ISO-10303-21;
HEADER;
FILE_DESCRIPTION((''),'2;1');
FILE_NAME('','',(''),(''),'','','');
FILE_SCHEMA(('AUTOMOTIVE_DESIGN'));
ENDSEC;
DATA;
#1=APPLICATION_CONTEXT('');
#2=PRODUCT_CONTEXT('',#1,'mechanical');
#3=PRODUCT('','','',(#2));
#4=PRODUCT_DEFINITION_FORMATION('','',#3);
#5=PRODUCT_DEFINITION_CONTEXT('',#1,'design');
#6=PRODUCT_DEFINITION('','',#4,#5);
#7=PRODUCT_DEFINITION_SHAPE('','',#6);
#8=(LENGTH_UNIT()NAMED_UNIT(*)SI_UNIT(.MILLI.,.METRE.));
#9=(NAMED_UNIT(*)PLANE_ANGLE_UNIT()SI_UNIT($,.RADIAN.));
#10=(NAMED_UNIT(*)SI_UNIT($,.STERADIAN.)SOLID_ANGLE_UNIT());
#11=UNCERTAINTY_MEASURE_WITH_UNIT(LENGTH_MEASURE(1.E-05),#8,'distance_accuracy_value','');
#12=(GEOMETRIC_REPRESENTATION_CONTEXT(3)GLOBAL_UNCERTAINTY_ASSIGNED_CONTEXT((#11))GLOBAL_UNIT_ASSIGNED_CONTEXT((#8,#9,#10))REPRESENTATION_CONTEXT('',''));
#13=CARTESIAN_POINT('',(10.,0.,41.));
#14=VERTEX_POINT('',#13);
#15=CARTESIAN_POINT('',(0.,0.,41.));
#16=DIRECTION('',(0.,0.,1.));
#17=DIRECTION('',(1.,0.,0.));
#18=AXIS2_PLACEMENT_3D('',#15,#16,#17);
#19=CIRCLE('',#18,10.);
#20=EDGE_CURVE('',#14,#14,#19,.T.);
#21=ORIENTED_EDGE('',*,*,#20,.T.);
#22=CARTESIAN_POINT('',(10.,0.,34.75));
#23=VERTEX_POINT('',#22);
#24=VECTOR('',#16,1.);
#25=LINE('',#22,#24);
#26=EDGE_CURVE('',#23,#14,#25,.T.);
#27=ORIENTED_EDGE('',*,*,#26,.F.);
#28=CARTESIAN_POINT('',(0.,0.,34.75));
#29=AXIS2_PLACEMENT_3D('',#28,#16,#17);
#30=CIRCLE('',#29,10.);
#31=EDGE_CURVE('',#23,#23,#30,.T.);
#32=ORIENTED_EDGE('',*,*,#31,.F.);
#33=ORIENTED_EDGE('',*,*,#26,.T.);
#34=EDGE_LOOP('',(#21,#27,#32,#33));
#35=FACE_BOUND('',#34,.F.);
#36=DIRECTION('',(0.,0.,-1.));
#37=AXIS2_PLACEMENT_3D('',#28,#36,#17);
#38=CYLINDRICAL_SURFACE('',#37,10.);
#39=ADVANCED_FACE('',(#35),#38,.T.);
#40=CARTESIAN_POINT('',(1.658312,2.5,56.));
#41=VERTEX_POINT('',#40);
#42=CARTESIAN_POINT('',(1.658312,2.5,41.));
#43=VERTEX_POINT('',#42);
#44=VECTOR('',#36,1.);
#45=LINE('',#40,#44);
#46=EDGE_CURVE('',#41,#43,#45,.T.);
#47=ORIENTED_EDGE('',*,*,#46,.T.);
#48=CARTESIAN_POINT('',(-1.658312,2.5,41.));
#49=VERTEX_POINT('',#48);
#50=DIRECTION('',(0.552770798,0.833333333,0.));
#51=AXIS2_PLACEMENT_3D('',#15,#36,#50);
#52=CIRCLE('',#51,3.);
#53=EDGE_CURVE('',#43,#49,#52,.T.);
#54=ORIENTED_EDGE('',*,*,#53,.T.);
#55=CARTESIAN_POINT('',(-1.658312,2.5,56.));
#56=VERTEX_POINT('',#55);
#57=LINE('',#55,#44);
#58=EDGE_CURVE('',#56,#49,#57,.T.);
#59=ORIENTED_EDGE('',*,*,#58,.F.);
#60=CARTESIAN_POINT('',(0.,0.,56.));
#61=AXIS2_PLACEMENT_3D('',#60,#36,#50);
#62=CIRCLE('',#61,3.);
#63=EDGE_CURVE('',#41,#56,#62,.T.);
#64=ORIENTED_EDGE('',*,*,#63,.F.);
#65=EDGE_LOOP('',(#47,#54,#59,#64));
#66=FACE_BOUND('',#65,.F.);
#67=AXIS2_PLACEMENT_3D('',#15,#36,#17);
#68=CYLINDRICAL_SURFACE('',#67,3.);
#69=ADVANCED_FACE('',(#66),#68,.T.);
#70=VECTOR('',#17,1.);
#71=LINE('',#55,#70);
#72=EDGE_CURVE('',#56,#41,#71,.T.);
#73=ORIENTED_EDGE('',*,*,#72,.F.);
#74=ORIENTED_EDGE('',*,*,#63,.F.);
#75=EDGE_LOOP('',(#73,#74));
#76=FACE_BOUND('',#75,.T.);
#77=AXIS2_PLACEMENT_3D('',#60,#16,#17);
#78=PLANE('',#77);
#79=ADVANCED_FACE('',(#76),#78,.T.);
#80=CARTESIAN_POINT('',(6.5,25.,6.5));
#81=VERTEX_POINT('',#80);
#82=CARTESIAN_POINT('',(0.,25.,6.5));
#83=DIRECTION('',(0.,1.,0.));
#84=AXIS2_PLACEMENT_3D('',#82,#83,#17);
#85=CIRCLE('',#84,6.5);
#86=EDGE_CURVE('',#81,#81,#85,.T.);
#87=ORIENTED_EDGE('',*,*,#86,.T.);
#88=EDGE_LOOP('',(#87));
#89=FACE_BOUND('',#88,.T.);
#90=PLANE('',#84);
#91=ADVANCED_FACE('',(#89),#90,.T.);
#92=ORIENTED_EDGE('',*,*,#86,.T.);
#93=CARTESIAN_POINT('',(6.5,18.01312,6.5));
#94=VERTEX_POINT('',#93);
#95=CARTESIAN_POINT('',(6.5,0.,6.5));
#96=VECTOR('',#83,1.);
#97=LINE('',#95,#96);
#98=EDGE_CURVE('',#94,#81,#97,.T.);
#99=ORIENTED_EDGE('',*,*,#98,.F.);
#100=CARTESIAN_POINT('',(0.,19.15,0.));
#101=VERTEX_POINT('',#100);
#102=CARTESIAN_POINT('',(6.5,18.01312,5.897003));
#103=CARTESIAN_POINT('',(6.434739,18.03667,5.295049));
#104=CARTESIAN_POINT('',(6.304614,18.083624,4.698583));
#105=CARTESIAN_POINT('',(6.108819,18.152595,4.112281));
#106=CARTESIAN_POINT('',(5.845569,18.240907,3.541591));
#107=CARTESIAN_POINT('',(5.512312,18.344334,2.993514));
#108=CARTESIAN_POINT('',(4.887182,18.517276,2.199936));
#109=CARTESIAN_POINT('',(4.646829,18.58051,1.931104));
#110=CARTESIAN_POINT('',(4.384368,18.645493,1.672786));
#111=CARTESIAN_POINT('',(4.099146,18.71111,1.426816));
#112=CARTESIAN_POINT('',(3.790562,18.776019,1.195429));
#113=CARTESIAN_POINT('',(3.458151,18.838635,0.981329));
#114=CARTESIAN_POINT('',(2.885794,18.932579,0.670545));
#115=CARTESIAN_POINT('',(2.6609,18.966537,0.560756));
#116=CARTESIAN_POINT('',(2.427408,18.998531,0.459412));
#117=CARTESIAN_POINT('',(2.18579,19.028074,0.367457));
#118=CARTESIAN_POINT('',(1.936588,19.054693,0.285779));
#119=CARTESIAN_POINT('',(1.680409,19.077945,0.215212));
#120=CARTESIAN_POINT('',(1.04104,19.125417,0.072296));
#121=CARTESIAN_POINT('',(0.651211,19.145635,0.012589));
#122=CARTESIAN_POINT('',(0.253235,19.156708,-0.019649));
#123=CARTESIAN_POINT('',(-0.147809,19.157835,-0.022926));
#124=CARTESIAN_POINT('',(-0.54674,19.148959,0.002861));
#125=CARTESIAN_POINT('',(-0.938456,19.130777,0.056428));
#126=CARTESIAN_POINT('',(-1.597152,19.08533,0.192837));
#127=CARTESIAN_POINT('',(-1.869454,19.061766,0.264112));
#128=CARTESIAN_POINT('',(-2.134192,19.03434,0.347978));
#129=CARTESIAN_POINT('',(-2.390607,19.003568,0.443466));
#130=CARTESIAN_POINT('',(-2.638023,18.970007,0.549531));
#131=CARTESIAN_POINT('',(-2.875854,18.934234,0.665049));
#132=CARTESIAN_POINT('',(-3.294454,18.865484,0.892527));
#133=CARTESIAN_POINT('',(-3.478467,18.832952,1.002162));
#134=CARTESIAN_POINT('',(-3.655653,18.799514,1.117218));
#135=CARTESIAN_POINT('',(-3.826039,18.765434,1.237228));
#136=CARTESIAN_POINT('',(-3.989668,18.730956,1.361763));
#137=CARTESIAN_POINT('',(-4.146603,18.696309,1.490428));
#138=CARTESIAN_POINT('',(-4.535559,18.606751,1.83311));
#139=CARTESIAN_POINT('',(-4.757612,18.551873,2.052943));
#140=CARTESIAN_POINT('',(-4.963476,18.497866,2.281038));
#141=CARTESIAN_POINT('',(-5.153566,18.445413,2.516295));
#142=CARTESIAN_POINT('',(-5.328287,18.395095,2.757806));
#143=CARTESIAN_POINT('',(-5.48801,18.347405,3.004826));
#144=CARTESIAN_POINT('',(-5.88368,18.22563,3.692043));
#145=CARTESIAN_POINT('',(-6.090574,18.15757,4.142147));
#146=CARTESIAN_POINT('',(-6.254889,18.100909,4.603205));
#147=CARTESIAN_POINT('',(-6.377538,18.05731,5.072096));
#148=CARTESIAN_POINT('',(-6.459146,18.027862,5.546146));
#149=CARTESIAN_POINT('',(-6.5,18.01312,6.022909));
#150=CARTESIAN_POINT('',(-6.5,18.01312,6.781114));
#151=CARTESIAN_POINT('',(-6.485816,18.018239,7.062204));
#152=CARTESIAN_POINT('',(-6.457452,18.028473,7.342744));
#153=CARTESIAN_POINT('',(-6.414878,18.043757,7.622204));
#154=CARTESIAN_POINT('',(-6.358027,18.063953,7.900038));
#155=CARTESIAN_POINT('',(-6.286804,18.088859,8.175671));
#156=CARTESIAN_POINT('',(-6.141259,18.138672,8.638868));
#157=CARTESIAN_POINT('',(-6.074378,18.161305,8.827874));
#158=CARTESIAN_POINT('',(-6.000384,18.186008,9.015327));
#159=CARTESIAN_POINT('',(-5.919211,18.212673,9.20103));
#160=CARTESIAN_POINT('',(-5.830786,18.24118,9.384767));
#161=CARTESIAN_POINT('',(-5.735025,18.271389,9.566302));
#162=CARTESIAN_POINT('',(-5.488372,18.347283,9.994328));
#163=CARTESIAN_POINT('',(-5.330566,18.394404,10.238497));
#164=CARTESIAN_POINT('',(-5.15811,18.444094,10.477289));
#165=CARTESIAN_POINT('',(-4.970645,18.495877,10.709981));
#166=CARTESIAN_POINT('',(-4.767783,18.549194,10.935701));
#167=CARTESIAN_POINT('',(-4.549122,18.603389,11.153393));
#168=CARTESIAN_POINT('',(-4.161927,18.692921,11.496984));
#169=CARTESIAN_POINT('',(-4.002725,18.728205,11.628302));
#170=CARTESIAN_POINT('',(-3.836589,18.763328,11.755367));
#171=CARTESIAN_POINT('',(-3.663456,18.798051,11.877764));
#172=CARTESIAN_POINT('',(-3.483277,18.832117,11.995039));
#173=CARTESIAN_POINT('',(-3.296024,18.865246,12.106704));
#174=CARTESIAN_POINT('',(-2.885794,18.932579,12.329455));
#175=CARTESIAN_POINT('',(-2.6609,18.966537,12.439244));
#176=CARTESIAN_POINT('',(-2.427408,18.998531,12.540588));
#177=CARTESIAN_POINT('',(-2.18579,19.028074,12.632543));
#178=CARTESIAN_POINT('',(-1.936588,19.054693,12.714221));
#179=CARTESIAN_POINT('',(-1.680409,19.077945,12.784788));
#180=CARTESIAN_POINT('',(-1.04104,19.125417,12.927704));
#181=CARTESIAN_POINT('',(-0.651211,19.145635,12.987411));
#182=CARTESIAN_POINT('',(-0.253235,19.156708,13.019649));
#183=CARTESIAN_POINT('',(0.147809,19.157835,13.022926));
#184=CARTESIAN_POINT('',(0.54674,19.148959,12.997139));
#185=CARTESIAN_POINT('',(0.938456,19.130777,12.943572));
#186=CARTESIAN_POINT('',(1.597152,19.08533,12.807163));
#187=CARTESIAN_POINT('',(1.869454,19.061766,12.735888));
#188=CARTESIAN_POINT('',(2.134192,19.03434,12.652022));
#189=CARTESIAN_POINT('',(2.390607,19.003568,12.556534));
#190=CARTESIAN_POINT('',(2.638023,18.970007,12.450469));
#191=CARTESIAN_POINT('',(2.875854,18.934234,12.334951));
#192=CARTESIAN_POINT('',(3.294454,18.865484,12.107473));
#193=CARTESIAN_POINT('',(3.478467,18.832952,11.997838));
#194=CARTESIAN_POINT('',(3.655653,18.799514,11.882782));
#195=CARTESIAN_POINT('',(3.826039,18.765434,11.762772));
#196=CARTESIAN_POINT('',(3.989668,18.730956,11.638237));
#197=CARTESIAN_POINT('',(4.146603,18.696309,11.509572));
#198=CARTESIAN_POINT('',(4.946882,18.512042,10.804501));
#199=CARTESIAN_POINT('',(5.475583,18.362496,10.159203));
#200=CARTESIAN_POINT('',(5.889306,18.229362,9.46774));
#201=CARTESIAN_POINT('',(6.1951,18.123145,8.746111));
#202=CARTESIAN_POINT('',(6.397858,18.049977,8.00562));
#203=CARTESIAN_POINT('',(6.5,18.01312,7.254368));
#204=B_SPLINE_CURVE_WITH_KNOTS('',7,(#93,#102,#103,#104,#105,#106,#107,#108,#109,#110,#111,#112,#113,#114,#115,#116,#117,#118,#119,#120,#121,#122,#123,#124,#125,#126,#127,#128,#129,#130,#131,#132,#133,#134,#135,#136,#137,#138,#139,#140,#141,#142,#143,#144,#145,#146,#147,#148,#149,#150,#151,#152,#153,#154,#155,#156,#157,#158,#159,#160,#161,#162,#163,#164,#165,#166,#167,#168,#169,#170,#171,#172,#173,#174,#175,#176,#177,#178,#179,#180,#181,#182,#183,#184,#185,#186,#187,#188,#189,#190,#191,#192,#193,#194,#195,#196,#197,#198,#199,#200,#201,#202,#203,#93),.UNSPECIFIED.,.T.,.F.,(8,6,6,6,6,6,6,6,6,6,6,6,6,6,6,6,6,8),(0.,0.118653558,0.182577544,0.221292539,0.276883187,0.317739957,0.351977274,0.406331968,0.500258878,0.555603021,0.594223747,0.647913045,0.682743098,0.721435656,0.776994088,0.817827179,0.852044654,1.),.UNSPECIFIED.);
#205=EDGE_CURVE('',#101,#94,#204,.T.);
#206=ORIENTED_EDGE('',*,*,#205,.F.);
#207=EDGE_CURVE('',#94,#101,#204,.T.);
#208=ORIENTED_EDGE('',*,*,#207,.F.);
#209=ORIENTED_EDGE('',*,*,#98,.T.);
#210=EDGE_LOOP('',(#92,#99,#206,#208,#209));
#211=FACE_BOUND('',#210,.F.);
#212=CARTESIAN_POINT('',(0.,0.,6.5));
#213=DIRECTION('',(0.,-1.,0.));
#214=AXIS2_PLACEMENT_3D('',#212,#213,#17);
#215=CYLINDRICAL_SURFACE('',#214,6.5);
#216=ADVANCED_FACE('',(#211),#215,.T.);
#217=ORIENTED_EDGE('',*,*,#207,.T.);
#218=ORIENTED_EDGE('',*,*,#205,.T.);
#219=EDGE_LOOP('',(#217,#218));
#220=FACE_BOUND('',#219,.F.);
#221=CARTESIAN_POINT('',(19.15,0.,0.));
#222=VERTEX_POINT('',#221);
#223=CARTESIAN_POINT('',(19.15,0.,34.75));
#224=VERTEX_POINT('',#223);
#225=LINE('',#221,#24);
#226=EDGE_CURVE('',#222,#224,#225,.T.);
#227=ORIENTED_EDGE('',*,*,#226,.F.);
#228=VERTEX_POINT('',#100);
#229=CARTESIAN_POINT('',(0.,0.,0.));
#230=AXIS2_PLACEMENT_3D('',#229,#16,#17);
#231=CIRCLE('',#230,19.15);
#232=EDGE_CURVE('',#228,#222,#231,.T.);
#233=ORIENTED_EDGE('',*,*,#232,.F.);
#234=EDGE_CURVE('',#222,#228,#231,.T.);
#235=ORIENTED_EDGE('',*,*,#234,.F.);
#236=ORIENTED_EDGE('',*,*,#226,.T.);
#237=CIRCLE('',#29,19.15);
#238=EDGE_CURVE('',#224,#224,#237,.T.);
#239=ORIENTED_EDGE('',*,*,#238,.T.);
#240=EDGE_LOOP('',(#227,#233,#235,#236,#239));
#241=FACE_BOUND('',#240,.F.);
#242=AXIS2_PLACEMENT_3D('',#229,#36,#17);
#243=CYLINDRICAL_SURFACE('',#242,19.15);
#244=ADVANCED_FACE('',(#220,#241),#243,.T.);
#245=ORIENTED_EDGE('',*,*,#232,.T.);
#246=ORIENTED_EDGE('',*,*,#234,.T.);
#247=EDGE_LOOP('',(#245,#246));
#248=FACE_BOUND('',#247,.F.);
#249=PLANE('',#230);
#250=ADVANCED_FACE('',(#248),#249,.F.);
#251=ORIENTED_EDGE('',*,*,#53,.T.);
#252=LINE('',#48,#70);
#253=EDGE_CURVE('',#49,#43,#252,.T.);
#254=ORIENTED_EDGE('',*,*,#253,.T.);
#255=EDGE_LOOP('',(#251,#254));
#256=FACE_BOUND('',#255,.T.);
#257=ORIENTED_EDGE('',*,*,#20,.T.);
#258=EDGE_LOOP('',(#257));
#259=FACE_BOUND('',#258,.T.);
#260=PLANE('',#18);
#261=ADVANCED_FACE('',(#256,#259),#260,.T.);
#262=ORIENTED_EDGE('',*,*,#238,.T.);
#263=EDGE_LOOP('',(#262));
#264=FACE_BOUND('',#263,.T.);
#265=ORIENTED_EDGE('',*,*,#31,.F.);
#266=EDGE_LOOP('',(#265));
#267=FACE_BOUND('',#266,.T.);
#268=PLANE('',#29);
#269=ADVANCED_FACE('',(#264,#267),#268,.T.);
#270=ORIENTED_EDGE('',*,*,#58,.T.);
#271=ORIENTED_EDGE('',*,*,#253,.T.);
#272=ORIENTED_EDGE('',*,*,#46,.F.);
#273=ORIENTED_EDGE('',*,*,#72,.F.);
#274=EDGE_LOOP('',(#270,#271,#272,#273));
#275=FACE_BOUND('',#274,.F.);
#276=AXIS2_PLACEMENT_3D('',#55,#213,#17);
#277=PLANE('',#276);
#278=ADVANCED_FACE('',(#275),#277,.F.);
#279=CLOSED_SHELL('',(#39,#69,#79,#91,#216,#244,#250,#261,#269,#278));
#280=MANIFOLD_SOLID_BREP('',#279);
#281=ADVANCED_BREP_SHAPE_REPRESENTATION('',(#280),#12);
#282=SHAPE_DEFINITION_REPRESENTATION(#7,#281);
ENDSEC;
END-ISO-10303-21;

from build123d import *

# Parameters (mm, degrees)
SKETCH1_R           = 19.15
BOSS_EXTRUDE1_DEPTH = 34.75
SKETCH2_R           = 10
BOSS_EXTRUDE2_DEPTH = 6.25
SKETCH3_R           = 3
BOSS_EXTRUDE3_DEPTH = 15
CUT_EXTRUDE1_DEPTH  = 15
SKETCH5_R           = 6.5
BOSS_EXTRUDE4_DEPTH = 25


with BuildPart() as part:
    # Sketch1 → Boss-Extrude1 (new body)
    with BuildSketch(Plane.XY):
        Circle(SKETCH1_R)
    extrude(amount=BOSS_EXTRUDE1_DEPTH)

    # Sketch2 → Boss-Extrude2 (add)
    with BuildSketch(Plane.XY.offset(34.75)):
        Circle(SKETCH2_R)
    extrude(amount=BOSS_EXTRUDE2_DEPTH)

    # Sketch3 → Boss-Extrude3 (add)
    with BuildSketch(Plane.XY.offset(41)):
        Circle(SKETCH3_R)
    extrude(amount=BOSS_EXTRUDE3_DEPTH)

    # Sketch4 → Cut-Extrude1 (cut)
    with BuildSketch(Plane.XY.offset(56)):
        with BuildLine():
            Line((-1.658312395, 2.5), (1.658312395, 2.5))
            ThreePointArc((1.658312395, 2.5), (0, 3), (-1.658312395, 2.5))
        make_face()
    extrude(amount=-CUT_EXTRUDE1_DEPTH, mode=Mode.SUBTRACT)

    # Sketch5 → Boss-Extrude4 (add)
    with BuildSketch(Plane(origin=(0, 0, 0), x_dir=(1, 0, 0), z_dir=(0, 1, 0))):
        with Locations((0, -6.5)):
            Circle(SKETCH5_R)
    extrude(amount=BOSS_EXTRUDE4_DEPTH)


solid = part.part
